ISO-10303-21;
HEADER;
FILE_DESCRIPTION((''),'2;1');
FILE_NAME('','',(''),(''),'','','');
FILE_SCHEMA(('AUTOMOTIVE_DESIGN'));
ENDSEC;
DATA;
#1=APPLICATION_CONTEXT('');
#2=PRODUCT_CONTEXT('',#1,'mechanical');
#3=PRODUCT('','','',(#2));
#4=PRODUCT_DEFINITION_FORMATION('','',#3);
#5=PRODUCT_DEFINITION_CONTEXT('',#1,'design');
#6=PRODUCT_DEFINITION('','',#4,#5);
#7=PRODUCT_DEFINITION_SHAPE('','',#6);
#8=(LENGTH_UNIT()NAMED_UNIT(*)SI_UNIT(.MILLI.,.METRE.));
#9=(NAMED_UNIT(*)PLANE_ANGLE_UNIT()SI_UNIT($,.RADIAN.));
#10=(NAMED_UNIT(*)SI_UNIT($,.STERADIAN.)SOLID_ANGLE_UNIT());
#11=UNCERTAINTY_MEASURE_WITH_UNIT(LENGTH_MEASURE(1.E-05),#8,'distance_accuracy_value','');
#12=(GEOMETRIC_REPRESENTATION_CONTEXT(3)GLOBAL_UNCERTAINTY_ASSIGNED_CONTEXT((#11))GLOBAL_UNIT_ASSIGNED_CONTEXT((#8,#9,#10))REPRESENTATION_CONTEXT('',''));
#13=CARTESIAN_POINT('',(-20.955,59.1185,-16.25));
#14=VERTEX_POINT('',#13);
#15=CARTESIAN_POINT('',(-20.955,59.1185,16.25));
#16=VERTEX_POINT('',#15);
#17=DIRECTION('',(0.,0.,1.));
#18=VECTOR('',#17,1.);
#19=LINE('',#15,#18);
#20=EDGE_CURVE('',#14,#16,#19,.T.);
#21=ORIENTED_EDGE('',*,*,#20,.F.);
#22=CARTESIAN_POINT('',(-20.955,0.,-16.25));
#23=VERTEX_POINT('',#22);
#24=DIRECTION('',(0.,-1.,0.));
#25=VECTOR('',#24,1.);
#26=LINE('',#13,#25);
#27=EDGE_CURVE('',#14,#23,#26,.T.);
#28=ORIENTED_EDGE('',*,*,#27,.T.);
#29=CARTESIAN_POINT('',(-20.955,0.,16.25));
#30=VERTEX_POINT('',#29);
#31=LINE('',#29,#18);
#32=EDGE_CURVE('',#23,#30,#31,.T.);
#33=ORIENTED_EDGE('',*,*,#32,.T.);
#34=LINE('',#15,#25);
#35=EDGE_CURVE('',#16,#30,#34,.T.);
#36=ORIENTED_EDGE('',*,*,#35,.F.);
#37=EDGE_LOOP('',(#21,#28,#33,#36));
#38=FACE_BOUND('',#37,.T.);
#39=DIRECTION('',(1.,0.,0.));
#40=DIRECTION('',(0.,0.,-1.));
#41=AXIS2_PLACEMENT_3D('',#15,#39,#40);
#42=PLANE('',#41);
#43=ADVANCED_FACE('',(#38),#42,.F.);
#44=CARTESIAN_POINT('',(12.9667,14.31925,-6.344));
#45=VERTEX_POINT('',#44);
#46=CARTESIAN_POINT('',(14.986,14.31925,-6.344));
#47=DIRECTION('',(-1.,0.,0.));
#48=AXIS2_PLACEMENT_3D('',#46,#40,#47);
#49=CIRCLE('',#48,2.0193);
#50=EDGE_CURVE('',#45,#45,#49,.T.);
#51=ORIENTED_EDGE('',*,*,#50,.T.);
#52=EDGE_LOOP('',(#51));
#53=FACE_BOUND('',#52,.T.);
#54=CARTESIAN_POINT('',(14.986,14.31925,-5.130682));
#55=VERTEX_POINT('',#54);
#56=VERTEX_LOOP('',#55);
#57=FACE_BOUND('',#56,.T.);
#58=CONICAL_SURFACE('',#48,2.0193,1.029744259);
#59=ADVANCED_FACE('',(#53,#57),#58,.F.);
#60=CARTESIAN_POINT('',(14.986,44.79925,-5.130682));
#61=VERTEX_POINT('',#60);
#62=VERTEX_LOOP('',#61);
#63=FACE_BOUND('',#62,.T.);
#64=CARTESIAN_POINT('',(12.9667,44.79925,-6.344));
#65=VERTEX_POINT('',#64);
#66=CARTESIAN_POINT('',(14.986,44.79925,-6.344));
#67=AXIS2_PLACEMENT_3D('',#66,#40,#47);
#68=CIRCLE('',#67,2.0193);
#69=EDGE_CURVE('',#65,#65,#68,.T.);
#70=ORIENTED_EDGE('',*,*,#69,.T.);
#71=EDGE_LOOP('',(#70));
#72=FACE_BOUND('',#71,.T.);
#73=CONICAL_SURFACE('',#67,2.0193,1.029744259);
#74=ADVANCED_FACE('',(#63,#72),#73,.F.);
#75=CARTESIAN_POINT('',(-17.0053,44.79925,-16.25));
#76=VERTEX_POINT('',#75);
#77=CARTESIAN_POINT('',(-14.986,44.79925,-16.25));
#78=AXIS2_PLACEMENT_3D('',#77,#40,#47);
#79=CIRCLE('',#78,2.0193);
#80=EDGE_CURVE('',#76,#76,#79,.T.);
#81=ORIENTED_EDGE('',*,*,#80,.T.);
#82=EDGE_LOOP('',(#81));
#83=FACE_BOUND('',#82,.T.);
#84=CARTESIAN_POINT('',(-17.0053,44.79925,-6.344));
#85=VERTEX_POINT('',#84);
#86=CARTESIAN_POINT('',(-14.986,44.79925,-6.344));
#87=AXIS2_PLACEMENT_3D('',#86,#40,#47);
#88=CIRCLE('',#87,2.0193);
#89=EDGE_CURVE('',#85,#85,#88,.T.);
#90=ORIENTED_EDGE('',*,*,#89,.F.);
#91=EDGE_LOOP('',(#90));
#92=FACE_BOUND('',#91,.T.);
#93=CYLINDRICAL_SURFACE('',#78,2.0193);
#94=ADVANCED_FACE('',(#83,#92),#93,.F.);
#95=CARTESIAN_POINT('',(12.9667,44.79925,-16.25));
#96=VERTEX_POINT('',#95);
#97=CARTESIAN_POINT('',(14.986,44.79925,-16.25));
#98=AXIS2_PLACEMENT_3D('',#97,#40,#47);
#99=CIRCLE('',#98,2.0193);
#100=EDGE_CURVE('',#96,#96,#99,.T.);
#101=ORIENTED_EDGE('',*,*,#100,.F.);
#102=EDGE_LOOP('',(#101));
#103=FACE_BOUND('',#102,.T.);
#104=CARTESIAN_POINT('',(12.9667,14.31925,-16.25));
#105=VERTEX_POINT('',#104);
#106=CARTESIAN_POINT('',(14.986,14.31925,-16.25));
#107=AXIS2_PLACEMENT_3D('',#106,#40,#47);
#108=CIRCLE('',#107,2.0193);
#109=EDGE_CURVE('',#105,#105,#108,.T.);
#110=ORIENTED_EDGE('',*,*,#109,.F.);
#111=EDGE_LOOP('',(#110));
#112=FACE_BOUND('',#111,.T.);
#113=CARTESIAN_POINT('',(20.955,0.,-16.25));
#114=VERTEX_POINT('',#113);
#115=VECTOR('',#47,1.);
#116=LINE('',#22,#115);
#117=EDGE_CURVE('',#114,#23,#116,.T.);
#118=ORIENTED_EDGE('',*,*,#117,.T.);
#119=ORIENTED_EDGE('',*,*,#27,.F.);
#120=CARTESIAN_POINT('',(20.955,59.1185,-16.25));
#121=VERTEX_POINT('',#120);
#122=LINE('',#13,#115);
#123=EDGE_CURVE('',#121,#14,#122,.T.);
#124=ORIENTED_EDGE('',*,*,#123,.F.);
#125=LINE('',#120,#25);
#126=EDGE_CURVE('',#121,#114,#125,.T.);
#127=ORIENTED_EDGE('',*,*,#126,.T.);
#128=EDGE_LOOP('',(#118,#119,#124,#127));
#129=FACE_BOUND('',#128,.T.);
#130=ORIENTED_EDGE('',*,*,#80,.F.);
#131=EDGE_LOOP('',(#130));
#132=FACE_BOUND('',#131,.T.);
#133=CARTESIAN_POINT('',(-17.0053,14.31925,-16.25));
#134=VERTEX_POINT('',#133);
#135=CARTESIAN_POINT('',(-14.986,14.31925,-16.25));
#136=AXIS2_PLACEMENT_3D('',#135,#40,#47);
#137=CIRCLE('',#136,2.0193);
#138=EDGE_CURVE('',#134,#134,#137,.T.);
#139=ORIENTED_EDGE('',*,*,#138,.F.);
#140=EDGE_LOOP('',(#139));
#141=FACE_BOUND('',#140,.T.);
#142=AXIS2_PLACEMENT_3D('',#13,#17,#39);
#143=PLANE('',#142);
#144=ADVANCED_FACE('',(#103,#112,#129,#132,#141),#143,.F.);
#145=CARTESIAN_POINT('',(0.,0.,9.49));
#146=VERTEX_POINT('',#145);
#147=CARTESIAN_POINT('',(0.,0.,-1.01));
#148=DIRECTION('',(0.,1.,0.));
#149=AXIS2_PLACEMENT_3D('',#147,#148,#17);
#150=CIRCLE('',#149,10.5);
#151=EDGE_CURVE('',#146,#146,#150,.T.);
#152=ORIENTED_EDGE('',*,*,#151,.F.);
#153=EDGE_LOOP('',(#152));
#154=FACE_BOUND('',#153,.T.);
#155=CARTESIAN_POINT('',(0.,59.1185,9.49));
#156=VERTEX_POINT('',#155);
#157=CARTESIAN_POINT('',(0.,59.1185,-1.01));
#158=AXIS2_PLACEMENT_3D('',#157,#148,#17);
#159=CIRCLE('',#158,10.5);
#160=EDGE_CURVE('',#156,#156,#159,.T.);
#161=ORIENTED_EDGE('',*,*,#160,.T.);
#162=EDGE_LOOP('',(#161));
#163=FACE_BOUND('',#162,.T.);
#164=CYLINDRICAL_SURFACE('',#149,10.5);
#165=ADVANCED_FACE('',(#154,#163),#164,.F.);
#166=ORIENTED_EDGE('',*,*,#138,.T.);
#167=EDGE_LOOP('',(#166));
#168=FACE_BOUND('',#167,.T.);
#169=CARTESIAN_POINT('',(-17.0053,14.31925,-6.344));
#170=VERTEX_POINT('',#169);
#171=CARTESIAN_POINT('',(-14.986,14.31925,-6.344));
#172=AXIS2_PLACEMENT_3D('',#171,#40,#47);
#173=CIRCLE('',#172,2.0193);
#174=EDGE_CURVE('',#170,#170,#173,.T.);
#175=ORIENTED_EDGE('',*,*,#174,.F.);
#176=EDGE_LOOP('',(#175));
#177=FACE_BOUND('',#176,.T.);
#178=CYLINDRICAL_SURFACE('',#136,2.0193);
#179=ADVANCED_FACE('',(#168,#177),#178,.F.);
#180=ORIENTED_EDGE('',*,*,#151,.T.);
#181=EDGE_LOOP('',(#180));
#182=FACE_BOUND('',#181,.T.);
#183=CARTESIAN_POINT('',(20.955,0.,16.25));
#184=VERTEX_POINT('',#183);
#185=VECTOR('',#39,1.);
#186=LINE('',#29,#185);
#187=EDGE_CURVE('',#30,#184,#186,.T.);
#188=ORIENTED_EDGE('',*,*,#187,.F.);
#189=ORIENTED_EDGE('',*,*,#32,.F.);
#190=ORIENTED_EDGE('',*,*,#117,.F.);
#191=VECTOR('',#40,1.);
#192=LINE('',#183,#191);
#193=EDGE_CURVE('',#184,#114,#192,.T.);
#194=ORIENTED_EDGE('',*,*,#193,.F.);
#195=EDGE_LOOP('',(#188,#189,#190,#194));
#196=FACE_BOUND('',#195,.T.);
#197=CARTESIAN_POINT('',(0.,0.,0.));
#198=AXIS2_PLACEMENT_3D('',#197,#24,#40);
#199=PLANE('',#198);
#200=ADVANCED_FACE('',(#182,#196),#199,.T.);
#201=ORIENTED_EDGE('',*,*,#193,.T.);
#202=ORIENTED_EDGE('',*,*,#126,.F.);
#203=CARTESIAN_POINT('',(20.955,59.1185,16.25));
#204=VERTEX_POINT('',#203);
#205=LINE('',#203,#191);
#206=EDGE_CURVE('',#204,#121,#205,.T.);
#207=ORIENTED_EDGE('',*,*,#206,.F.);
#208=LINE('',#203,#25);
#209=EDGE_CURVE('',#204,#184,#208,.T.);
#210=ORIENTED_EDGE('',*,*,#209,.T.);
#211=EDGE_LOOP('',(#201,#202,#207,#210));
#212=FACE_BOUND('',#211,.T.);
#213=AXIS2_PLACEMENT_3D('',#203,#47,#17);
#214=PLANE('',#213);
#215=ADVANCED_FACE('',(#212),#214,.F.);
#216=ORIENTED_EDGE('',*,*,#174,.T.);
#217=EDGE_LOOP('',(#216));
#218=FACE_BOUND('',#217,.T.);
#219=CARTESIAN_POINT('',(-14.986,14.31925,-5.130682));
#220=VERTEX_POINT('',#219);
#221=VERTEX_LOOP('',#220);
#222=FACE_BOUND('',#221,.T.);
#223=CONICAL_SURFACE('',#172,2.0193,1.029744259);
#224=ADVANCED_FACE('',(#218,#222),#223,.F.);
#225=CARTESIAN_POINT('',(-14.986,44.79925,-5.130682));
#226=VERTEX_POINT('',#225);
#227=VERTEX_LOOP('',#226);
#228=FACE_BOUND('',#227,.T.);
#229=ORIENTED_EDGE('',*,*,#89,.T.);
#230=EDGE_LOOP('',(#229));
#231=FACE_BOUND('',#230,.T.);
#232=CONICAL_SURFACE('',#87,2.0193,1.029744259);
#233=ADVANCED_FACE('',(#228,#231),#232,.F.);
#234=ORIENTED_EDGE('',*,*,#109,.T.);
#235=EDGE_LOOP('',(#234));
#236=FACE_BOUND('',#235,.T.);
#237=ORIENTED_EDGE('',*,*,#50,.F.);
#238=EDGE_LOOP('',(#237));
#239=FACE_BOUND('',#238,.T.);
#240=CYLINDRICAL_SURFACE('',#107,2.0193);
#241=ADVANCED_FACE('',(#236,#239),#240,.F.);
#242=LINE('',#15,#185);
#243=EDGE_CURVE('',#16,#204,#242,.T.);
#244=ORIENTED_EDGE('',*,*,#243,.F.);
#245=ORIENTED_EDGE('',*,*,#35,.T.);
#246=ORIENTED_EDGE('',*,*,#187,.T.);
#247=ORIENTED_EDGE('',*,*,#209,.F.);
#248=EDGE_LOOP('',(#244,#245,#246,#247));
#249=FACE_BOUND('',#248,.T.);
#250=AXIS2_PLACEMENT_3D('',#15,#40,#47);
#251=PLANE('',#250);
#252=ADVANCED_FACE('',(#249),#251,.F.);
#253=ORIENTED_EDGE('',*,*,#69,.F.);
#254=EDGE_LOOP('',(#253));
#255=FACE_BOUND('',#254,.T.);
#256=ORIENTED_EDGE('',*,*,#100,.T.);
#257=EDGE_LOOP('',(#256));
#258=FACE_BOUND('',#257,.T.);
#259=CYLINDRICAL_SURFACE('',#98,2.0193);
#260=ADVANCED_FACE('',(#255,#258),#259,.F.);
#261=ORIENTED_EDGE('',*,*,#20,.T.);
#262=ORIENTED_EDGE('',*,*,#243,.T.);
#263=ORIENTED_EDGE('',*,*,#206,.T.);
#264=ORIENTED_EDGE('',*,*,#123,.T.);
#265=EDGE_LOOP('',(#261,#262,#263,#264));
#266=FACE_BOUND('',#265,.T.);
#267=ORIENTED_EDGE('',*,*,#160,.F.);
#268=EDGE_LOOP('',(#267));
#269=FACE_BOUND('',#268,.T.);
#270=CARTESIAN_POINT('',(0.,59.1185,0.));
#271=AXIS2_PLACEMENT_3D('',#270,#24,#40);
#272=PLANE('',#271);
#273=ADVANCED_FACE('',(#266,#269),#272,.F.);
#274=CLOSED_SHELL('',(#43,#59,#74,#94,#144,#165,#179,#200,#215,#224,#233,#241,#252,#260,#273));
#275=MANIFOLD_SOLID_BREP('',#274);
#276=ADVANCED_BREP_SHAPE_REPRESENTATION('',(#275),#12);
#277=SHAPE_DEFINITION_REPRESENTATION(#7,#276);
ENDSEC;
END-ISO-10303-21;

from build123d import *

# Parameters (mm, degrees)
SKETCH1_W                  = 41.91
SKETCH1_H                  = 32.5
BOSS_EXTRUDE1_DEPTH        = 59.1185
SKETCH2_R                  = 10.5
CUT_EXTRUDE1_DEPTH         = 60.1185
F_10_32_TAPPED_HOLE1_D     = 4.0386
F_10_32_TAPPED_HOLE1_DEPTH = 9.906
F_10_32_TAPPED_HOLE1_TIP   = 1.213317848


with BuildPart() as part:
    # Sketch1 → Boss-Extrude1 (new body)
    with BuildSketch(Plane(origin=(0, 0, 0), x_dir=(1, 0, 0), z_dir=(0, 1, 0))):
        Rectangle(SKETCH1_W, SKETCH1_H)
    extrude(amount=BOSS_EXTRUDE1_DEPTH)

    # Sketch2 → Cut-Extrude1 (cut, through all)
    with BuildSketch(Plane(origin=(0, 59.1185, 0), x_dir=(1, 0, 0), z_dir=(0, 1, 0))):
        with Locations((0, 1.01)):
            Circle(SKETCH2_R)
    extrude(amount=-CUT_EXTRUDE1_DEPTH, mode=Mode.SUBTRACT)

    # #10-32 Tapped Hole1
    with Locations(Plane(origin=(0, 0, -16.25), x_dir=(-1, 0, 0), z_dir=(0, 0, -1))):
        with Locations((-14.986, 14.31925), (14.986, 14.31925), (14.986, 44.79925), (-14.986, 44.79925)):
            Hole(F_10_32_TAPPED_HOLE1_D / 2, depth=F_10_32_TAPPED_HOLE1_DEPTH)
            with Locations((0, 0, -(F_10_32_TAPPED_HOLE1_DEPTH + F_10_32_TAPPED_HOLE1_TIP / 2))):  # 118° drill point
                Cone(0, F_10_32_TAPPED_HOLE1_D / 2, F_10_32_TAPPED_HOLE1_TIP, mode=Mode.SUBTRACT)


solid = part.part
